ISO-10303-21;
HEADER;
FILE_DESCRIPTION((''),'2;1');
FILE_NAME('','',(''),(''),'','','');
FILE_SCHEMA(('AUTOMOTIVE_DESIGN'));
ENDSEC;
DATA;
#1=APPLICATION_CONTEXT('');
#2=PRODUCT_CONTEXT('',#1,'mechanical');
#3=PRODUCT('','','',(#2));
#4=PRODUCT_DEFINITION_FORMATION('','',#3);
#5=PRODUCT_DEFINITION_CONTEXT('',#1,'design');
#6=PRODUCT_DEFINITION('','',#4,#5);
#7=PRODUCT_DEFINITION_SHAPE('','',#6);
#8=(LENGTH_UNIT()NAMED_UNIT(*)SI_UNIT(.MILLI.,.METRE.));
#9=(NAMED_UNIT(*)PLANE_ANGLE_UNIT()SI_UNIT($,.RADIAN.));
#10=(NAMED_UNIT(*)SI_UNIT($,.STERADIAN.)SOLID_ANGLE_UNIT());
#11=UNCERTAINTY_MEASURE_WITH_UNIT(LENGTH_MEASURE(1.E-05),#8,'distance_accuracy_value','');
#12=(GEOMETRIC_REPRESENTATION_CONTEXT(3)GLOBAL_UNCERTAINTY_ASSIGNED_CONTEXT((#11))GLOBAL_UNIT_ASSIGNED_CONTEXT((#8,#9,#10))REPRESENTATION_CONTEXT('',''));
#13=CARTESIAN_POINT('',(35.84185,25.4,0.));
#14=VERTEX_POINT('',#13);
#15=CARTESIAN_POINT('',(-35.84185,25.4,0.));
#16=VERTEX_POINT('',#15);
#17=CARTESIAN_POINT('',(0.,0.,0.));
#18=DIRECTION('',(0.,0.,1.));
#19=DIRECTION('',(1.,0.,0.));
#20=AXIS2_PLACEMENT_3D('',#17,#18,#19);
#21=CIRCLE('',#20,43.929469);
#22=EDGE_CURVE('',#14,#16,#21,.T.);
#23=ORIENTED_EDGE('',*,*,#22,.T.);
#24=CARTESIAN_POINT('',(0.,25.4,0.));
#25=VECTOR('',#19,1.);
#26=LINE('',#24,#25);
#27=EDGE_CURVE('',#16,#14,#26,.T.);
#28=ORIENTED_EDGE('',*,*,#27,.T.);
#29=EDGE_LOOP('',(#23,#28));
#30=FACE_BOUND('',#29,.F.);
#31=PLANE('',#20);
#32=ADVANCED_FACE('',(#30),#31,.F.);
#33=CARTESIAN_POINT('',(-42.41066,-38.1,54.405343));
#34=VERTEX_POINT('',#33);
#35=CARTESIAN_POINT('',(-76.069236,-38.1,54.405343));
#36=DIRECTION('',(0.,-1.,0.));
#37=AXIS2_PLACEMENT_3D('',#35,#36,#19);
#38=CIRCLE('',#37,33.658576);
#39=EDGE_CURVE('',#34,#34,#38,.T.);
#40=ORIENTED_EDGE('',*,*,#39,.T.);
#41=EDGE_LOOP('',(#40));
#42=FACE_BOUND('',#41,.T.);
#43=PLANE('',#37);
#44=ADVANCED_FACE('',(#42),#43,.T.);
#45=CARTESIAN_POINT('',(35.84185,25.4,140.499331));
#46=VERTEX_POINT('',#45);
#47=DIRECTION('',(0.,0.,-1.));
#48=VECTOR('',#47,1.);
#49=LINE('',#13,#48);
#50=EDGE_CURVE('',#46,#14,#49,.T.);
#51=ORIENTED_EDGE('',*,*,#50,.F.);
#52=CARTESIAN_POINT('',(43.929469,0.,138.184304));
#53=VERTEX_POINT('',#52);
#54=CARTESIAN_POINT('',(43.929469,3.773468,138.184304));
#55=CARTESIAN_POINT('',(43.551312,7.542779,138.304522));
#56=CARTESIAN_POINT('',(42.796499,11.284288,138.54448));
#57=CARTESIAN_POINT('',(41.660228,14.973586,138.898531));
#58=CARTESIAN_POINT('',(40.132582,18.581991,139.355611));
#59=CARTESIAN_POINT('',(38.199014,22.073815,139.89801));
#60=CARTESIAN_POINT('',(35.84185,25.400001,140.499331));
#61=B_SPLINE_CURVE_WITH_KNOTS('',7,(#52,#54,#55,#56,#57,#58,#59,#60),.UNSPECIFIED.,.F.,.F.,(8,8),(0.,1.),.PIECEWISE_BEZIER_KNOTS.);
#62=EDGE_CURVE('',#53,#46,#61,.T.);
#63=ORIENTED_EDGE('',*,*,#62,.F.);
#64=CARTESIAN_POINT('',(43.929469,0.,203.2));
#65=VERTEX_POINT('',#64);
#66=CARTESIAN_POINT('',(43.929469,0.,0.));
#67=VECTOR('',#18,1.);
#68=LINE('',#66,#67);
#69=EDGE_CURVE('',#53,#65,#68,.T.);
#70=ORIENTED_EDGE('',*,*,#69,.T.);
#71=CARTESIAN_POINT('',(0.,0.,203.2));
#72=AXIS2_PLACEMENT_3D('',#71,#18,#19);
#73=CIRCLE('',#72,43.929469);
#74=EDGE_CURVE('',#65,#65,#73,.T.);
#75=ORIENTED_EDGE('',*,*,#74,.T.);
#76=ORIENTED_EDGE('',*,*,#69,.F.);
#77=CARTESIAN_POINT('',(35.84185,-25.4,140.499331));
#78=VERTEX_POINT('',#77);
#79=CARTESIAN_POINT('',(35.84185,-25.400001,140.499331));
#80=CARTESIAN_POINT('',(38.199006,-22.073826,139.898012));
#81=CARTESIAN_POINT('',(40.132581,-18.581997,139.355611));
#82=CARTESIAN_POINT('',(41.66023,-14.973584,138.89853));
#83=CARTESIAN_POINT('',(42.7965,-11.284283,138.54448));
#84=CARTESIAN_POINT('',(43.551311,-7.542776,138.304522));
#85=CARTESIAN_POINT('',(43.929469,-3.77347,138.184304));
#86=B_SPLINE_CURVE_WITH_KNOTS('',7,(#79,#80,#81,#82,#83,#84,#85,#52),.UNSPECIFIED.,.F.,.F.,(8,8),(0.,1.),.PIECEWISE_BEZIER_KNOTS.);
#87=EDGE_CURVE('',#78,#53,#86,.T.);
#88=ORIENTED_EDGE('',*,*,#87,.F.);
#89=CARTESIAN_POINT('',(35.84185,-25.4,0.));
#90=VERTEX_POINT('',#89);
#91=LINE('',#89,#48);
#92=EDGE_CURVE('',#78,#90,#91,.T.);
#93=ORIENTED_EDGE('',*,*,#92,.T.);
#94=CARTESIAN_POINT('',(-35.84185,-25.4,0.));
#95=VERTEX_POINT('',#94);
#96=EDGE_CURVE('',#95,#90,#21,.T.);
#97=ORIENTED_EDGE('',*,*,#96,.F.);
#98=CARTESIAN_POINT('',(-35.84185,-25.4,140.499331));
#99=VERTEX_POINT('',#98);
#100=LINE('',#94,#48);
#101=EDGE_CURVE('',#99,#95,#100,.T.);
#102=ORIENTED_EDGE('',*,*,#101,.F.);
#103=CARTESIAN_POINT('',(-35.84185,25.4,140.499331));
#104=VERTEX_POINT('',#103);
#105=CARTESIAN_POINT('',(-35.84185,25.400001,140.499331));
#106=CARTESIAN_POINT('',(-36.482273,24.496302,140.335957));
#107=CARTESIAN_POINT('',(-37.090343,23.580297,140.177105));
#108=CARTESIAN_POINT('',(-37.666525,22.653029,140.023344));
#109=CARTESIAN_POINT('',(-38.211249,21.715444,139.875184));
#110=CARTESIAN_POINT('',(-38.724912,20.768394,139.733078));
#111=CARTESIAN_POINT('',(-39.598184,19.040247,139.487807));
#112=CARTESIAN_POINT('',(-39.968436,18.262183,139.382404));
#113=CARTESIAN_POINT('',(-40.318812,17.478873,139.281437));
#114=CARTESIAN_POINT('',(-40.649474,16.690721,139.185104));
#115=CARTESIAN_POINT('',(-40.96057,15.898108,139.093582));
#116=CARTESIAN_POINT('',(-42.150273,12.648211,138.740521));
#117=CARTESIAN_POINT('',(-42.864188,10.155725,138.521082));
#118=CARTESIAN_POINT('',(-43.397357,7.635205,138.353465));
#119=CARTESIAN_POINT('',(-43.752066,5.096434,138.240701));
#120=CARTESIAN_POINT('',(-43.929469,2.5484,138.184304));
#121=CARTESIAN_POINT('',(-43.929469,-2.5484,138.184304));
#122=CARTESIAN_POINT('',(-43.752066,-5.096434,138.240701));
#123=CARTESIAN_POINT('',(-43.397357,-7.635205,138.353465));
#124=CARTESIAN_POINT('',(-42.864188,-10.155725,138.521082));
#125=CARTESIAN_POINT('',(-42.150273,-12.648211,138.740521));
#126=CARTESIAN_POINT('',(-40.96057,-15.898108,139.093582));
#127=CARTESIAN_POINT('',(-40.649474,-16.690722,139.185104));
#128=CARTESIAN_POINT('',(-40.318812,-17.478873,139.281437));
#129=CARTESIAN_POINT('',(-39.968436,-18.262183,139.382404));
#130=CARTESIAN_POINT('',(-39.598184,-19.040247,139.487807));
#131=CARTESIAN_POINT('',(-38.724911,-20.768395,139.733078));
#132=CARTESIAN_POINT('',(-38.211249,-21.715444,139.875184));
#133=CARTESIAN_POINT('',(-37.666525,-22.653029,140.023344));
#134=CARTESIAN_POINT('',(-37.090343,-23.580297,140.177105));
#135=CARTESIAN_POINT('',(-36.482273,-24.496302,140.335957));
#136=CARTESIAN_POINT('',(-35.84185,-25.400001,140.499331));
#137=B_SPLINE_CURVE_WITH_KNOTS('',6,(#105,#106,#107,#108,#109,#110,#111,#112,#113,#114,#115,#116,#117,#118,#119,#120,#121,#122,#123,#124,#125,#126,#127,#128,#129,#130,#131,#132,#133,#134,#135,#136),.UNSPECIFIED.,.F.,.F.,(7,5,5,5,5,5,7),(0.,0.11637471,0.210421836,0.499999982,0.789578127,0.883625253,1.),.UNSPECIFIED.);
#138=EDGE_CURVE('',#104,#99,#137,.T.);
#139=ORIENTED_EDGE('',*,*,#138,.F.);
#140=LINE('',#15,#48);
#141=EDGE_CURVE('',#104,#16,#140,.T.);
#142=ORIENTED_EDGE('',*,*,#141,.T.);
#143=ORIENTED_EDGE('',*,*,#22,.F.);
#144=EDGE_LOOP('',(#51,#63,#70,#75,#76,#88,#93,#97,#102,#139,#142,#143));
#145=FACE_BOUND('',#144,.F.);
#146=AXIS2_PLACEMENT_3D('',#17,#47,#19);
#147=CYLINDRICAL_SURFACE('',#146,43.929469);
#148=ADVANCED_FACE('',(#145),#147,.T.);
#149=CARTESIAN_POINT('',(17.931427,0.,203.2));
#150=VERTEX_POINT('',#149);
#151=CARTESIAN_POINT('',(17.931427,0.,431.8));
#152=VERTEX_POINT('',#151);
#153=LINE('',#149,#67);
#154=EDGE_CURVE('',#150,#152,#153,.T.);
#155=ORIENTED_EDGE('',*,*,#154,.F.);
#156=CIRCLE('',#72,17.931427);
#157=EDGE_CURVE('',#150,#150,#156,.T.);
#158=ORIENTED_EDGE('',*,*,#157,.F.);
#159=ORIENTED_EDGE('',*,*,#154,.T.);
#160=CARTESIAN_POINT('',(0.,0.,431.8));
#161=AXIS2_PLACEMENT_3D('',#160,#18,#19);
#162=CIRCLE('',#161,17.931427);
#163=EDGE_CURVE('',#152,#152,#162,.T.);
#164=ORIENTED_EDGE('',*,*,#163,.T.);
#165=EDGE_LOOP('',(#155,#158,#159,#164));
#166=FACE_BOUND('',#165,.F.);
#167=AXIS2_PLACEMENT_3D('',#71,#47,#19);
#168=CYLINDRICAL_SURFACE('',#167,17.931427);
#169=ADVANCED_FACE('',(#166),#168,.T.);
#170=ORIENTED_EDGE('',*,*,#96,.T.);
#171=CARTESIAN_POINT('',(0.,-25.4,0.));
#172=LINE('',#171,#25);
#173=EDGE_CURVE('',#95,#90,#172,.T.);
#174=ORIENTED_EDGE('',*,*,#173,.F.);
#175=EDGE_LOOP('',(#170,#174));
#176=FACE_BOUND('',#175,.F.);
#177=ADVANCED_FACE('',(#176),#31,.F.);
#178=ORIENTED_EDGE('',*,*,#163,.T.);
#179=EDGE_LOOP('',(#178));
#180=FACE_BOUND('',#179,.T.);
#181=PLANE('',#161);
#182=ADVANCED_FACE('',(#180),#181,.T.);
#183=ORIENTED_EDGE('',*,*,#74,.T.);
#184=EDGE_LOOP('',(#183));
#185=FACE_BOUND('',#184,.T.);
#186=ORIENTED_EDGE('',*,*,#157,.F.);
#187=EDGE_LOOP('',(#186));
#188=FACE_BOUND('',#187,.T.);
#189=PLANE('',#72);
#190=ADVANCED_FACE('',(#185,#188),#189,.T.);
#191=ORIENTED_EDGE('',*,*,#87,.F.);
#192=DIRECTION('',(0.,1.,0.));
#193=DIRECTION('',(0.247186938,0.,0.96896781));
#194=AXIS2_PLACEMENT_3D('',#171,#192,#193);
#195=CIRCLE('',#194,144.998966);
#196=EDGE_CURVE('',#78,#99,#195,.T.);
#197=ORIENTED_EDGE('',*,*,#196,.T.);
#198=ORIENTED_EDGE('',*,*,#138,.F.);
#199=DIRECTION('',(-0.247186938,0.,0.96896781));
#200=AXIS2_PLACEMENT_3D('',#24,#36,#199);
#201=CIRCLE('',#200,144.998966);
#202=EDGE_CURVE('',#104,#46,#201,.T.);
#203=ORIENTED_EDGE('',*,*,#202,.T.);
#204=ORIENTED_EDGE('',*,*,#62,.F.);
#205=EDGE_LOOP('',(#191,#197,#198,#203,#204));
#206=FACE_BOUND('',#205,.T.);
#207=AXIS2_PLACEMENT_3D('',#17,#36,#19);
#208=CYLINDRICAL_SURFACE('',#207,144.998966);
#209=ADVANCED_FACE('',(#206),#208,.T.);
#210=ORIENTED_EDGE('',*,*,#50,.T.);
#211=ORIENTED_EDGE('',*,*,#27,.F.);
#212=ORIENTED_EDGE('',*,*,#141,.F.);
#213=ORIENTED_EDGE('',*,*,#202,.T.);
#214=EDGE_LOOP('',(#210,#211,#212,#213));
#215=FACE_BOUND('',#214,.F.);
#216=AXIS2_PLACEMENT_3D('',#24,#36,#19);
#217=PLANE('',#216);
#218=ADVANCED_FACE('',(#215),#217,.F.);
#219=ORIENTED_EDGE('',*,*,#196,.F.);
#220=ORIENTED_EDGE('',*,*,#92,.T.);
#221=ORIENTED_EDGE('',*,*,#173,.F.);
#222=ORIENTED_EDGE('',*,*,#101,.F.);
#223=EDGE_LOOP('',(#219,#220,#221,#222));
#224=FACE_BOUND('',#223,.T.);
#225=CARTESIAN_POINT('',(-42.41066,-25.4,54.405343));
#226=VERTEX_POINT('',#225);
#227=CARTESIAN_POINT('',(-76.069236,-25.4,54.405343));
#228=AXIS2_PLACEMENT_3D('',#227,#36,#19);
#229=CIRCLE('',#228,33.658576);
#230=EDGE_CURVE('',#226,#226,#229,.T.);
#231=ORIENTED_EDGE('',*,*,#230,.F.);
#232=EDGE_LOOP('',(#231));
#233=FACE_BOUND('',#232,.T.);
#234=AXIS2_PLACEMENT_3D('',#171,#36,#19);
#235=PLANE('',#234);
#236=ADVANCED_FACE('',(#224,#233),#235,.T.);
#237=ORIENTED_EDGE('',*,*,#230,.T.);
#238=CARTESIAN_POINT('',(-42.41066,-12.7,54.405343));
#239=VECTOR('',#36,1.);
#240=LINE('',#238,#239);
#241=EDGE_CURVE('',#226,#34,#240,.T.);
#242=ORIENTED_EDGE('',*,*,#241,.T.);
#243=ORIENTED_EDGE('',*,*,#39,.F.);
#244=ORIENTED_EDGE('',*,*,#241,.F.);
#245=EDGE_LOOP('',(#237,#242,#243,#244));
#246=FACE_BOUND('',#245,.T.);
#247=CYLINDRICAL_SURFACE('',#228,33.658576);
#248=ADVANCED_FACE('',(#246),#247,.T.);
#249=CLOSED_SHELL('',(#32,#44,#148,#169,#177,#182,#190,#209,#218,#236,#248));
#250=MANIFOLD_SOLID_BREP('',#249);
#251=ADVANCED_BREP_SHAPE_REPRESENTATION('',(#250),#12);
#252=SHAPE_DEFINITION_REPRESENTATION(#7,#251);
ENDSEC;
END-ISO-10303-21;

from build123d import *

# Parameters (mm, degrees)
F0_R     = 43.929469
F1_DEPTH = 203.2
F2_R     = 17.931427
F3_DEPTH = 228.6
F4_R     = 144.998966
F5_DEPTH = 25.4
F6_R     = 33.658576
F7_DEPTH = 12.7


with BuildPart() as f1:
    # F0 (on Top) → F1 (new body)
    with BuildSketch(Plane.XY):
        Circle(F0_R)
    extrude(amount=F1_DEPTH)

    # F2 (on face) → F3 (join)
    with BuildSketch(Plane.XY.offset(203.2)):
        Circle(F2_R)
    extrude(amount=F3_DEPTH)

    # F4 (on Front) → F5 (join, symmetric)
    with BuildSketch(Plane.XZ):
        Circle(F4_R)
    extrude(amount=F5_DEPTH, both=True)

    # F6 (on face) → F7 (join, symmetric)
    with BuildSketch(Plane.XZ.offset(25.4)):
        with Locations((-76.069236, 54.405343)):
            Circle(F6_R)
    extrude(amount=F7_DEPTH, both=True)


solid = f1.part
